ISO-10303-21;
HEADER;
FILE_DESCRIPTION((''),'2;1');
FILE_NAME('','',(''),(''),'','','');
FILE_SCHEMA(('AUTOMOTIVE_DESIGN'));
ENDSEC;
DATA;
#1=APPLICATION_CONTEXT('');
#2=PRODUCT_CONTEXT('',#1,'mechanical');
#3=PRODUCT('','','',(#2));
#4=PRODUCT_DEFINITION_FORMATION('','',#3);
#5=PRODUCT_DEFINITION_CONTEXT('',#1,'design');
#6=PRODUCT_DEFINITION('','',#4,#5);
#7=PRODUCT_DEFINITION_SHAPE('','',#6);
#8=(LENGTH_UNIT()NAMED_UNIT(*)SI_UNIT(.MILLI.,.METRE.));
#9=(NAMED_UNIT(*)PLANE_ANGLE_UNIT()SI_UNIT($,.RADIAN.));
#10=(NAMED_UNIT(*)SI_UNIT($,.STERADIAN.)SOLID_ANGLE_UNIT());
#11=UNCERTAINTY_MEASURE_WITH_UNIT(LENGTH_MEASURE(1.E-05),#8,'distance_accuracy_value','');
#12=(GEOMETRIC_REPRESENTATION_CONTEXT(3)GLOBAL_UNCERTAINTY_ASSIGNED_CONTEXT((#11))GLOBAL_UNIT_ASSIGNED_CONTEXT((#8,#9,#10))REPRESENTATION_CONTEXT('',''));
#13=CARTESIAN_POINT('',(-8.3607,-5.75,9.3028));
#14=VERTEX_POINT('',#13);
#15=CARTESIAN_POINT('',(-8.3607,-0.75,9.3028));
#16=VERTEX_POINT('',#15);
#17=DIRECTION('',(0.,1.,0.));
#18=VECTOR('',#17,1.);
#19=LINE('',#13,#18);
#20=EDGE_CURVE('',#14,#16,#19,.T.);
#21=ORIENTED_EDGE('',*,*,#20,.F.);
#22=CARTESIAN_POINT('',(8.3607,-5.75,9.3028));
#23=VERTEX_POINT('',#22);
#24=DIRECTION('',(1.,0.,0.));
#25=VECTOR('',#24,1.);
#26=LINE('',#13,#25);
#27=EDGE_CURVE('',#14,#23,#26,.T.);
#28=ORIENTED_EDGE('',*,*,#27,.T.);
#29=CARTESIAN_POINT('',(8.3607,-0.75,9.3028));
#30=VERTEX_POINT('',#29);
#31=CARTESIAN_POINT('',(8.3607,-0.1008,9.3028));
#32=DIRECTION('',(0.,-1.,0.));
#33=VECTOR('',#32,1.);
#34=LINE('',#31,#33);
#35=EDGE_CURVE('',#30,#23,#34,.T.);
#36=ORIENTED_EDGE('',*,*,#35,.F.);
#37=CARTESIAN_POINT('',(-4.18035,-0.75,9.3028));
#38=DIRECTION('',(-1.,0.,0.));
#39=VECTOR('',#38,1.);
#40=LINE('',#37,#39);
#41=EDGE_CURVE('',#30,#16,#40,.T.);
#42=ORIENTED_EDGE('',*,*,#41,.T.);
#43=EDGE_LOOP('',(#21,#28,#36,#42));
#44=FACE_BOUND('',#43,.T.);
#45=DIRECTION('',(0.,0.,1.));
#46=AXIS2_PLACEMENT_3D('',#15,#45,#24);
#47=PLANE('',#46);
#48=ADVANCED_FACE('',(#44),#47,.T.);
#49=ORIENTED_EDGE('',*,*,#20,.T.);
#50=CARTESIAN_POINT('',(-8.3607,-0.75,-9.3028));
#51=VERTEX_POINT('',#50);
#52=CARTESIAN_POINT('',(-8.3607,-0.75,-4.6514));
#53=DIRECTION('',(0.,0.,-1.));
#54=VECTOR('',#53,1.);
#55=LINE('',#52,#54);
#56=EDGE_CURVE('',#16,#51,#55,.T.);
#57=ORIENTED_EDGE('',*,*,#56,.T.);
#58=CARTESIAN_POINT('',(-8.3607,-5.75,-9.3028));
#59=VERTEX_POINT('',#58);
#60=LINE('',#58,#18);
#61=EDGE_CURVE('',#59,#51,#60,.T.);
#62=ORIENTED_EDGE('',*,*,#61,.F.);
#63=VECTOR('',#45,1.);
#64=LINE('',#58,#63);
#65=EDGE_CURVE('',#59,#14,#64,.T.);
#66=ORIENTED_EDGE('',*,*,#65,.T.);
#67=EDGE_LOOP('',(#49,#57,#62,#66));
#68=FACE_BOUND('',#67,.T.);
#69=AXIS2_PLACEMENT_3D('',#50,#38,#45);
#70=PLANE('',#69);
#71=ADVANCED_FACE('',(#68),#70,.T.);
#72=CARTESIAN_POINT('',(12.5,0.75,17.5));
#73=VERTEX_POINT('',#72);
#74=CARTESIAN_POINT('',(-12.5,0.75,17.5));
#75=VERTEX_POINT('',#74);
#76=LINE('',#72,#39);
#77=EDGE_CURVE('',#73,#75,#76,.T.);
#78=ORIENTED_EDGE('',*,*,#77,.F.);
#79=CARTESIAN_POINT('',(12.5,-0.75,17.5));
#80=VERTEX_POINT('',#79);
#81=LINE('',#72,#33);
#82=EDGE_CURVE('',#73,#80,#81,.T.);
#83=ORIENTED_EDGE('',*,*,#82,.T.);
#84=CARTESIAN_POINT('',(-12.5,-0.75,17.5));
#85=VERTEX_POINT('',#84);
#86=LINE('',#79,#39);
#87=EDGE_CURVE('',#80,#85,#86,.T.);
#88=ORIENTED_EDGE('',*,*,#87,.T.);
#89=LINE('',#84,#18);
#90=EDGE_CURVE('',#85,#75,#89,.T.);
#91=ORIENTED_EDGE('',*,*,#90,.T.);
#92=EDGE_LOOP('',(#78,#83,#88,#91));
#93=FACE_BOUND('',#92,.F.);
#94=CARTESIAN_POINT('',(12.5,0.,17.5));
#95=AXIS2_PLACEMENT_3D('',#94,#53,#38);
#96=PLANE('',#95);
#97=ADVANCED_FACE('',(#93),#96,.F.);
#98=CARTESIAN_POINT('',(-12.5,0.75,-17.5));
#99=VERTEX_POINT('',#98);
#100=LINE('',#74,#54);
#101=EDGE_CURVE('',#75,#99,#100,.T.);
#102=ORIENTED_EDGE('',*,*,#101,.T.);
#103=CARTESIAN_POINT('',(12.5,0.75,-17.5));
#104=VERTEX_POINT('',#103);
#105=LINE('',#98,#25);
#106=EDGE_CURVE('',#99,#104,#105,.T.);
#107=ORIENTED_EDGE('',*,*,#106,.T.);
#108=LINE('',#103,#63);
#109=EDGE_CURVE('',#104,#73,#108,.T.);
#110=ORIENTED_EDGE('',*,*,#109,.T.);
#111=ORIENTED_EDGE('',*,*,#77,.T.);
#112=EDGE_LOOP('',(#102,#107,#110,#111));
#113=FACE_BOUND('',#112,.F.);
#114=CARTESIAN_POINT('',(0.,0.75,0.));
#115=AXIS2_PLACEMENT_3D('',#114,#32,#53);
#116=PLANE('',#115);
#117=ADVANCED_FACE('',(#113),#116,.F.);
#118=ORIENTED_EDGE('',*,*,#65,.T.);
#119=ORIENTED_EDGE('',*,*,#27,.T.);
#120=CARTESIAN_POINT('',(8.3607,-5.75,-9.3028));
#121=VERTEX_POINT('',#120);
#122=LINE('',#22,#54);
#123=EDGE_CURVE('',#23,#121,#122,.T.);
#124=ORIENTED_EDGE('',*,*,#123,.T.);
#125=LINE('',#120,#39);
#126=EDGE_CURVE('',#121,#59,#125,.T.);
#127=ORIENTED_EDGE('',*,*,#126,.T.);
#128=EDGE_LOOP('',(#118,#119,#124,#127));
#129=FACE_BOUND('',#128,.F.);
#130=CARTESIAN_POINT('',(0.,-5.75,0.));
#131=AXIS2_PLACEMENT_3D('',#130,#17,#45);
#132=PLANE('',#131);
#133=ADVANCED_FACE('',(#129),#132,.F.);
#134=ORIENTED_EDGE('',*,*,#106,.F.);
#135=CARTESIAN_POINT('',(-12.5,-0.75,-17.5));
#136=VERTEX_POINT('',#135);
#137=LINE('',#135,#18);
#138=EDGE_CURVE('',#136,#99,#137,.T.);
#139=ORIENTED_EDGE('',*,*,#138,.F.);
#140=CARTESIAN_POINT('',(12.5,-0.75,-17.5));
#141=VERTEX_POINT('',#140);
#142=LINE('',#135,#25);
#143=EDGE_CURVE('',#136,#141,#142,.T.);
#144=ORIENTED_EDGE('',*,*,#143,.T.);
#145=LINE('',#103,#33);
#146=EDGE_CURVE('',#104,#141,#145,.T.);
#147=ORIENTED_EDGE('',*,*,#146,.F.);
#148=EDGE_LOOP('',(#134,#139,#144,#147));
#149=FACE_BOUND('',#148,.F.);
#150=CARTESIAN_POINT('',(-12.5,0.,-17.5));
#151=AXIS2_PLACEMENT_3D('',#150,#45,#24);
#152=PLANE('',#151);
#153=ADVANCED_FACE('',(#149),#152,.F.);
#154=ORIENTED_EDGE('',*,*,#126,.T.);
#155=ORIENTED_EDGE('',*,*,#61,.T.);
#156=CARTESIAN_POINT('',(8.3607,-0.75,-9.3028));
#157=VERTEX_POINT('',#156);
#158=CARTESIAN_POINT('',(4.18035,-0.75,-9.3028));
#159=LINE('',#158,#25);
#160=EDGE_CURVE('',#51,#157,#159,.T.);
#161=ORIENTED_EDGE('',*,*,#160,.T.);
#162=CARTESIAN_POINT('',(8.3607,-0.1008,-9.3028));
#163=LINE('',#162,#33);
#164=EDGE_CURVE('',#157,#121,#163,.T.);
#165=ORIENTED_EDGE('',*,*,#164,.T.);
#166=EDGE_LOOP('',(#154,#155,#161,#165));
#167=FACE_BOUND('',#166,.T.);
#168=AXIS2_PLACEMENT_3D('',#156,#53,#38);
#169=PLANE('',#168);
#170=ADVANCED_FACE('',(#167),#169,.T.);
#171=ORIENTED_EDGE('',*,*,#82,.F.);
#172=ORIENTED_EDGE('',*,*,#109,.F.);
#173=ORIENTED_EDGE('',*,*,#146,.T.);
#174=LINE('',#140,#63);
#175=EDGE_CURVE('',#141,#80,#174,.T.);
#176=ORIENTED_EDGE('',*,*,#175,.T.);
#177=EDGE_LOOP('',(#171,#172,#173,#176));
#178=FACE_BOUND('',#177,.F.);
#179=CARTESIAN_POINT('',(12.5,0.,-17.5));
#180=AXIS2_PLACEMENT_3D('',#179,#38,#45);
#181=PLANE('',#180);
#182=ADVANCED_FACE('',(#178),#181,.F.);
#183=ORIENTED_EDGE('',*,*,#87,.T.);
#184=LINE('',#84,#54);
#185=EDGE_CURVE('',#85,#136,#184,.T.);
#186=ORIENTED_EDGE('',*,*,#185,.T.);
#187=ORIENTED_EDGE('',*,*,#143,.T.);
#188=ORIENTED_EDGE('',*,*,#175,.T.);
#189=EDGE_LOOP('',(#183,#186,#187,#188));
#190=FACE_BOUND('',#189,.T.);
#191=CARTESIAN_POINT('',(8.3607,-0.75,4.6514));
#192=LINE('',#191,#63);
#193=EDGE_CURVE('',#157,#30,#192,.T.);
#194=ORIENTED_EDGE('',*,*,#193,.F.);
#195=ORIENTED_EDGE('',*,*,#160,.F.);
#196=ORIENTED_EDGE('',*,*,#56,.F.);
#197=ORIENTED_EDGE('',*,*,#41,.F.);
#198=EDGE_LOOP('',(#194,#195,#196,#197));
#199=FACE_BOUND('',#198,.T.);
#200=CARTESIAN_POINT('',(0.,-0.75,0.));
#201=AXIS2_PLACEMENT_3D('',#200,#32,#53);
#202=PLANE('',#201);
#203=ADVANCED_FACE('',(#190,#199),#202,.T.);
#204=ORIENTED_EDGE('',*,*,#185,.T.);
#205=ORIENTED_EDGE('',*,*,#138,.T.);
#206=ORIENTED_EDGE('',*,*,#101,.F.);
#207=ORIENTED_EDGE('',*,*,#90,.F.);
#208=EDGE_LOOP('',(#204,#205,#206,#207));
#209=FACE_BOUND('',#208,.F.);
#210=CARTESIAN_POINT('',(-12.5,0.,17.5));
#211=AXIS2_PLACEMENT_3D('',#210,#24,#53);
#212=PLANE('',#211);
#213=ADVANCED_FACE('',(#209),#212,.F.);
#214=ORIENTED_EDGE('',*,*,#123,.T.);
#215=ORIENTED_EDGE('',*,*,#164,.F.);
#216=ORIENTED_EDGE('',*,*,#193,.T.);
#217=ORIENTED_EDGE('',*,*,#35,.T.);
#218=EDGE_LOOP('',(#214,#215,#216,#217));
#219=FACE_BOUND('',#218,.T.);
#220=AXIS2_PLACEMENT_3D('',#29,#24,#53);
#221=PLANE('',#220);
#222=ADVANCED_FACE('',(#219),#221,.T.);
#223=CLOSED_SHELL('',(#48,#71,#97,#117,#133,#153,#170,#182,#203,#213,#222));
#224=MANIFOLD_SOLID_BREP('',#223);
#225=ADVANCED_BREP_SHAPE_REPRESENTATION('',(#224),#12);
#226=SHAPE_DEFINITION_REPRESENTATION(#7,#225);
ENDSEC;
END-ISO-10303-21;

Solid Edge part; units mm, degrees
sketch "Sketch1" plane through (0, 0, 0) normal (0, -1, 0) x (1, 0, 0)
  line L0 (-12.5, -17.5) -> (12.5, -17.5)
  line L1 (12.5, -17.5) -> (12.5, 17.5)
  line L2 (12.5, 17.5) -> (-12.5, 17.5)
  line L3 (-12.5, 17.5) -> (-12.5, -17.5)
extrude "Protrusion1" add sketch "Sketch1" along normal mid plane 1.5
sketch "Sketch2" plane through (0, -0.75, 0) normal (0, -1, 0) x (1, 0, 0)
  line L0 (8.3607, -9.3028) -> (-8.3607, -9.3028)
  line L1 (-8.3607, -9.3028) -> (-8.3607, 9.3028)
  line L2 (-8.3607, 9.3028) -> (8.3607, 9.3028)
  line L3 (8.3607, 9.3028) -> (8.3607, -9.3028)
extrude "ExtrudedProtrusion_3" add sketch "Sketch2" along normal blind 5 and the other way blind 0.6492
